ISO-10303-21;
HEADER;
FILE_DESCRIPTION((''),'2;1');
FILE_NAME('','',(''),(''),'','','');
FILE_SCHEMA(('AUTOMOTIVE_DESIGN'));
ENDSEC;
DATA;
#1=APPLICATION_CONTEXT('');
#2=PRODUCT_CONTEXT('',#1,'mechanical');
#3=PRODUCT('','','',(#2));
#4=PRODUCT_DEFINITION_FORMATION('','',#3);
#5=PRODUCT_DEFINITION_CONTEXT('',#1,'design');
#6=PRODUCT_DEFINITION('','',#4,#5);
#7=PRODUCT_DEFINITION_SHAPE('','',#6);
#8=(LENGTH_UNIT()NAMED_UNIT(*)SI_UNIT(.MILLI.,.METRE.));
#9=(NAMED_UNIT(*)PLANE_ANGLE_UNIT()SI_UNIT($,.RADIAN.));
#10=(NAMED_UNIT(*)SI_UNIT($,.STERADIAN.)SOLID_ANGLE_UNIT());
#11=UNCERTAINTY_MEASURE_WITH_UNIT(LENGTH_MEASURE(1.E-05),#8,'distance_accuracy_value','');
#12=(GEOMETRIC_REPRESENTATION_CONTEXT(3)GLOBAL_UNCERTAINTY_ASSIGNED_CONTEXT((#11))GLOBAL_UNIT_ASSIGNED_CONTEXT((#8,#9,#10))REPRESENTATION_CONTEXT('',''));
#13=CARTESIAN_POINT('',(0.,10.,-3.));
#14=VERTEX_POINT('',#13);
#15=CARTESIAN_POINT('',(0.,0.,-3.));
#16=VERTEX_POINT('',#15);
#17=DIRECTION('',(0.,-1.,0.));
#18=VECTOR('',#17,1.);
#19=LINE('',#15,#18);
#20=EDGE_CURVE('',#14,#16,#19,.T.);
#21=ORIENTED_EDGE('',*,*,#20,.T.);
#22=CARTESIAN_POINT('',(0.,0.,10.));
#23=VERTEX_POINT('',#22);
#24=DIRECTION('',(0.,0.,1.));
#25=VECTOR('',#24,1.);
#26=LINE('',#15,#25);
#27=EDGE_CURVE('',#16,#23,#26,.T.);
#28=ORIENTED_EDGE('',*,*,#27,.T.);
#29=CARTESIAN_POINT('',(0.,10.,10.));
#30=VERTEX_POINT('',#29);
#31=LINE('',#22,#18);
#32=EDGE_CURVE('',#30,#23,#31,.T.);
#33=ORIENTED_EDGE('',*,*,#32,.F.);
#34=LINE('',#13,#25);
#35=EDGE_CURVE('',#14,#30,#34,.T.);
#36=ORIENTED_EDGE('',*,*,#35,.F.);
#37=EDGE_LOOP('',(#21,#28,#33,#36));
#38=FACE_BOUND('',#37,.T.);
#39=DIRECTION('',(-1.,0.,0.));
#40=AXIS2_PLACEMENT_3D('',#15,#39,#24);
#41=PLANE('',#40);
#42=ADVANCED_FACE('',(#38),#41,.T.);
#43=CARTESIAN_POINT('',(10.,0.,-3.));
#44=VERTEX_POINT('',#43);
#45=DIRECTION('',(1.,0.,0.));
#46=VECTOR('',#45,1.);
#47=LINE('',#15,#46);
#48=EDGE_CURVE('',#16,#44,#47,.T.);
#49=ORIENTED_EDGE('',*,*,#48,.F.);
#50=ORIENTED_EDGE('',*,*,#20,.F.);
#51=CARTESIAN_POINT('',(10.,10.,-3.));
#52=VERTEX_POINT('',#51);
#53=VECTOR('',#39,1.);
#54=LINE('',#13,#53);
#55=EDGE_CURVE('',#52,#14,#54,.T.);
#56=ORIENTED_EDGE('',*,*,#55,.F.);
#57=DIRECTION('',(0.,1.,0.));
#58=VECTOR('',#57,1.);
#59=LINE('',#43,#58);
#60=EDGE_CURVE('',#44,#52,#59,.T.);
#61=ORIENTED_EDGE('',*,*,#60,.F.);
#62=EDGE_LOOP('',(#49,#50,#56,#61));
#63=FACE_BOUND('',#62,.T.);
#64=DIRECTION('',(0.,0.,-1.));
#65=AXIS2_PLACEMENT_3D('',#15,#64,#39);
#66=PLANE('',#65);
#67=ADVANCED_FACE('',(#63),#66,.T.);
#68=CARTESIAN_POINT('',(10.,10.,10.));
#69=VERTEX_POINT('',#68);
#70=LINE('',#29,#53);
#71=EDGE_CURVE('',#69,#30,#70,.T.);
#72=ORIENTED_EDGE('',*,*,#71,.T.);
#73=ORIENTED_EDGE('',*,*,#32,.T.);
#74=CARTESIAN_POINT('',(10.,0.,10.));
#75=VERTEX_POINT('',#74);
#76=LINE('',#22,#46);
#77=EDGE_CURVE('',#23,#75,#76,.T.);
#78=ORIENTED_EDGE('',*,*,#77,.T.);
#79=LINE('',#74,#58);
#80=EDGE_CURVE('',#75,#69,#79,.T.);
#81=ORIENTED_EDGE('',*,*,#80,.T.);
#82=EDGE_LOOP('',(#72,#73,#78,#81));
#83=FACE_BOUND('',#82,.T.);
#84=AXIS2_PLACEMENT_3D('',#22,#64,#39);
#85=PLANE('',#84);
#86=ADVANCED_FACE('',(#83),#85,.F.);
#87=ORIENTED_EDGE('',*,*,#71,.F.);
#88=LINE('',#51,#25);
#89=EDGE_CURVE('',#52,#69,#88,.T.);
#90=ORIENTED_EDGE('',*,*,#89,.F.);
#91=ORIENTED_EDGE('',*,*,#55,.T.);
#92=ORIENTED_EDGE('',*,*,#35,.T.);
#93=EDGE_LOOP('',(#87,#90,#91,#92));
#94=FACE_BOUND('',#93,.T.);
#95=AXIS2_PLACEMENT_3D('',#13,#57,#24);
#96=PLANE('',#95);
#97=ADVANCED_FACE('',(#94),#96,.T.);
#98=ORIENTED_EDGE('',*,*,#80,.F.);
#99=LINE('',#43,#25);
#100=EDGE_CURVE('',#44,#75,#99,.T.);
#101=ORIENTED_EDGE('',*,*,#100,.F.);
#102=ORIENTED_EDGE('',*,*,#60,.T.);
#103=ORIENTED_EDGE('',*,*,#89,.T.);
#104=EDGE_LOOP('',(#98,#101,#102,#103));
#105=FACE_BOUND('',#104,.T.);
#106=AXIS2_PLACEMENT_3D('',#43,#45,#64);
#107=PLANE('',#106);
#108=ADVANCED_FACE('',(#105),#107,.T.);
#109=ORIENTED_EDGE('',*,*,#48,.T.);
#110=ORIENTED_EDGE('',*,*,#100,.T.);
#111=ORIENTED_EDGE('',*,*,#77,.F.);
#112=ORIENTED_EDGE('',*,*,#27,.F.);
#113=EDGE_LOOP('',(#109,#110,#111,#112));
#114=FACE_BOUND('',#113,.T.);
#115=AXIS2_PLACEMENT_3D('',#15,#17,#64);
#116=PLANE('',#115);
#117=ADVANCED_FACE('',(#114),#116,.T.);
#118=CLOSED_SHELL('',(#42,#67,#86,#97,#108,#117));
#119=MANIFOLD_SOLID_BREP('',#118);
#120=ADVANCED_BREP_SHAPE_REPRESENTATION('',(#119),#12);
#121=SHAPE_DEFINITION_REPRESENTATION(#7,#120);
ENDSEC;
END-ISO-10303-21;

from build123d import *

# Parameters (mm, degrees)
EXTRUDE_1_DEPTH      = 10
EXTRUDE_1_DEPTH_BACK = 3
SKETCH_1_W           = 10
SKETCH_1_H           = 10


with BuildPart() as part:
    # 草图1 → 凸台-拉伸1 (new, two sides: drawn at the far end of the back side and taken through both)
    with BuildSketch(Plane.XY.offset(-EXTRUDE_1_DEPTH_BACK)):
        with Locations((5, 5)):
            Rectangle(SKETCH_1_W, SKETCH_1_H)
    extrude(amount=EXTRUDE_1_DEPTH + EXTRUDE_1_DEPTH_BACK)


solid = part.part
